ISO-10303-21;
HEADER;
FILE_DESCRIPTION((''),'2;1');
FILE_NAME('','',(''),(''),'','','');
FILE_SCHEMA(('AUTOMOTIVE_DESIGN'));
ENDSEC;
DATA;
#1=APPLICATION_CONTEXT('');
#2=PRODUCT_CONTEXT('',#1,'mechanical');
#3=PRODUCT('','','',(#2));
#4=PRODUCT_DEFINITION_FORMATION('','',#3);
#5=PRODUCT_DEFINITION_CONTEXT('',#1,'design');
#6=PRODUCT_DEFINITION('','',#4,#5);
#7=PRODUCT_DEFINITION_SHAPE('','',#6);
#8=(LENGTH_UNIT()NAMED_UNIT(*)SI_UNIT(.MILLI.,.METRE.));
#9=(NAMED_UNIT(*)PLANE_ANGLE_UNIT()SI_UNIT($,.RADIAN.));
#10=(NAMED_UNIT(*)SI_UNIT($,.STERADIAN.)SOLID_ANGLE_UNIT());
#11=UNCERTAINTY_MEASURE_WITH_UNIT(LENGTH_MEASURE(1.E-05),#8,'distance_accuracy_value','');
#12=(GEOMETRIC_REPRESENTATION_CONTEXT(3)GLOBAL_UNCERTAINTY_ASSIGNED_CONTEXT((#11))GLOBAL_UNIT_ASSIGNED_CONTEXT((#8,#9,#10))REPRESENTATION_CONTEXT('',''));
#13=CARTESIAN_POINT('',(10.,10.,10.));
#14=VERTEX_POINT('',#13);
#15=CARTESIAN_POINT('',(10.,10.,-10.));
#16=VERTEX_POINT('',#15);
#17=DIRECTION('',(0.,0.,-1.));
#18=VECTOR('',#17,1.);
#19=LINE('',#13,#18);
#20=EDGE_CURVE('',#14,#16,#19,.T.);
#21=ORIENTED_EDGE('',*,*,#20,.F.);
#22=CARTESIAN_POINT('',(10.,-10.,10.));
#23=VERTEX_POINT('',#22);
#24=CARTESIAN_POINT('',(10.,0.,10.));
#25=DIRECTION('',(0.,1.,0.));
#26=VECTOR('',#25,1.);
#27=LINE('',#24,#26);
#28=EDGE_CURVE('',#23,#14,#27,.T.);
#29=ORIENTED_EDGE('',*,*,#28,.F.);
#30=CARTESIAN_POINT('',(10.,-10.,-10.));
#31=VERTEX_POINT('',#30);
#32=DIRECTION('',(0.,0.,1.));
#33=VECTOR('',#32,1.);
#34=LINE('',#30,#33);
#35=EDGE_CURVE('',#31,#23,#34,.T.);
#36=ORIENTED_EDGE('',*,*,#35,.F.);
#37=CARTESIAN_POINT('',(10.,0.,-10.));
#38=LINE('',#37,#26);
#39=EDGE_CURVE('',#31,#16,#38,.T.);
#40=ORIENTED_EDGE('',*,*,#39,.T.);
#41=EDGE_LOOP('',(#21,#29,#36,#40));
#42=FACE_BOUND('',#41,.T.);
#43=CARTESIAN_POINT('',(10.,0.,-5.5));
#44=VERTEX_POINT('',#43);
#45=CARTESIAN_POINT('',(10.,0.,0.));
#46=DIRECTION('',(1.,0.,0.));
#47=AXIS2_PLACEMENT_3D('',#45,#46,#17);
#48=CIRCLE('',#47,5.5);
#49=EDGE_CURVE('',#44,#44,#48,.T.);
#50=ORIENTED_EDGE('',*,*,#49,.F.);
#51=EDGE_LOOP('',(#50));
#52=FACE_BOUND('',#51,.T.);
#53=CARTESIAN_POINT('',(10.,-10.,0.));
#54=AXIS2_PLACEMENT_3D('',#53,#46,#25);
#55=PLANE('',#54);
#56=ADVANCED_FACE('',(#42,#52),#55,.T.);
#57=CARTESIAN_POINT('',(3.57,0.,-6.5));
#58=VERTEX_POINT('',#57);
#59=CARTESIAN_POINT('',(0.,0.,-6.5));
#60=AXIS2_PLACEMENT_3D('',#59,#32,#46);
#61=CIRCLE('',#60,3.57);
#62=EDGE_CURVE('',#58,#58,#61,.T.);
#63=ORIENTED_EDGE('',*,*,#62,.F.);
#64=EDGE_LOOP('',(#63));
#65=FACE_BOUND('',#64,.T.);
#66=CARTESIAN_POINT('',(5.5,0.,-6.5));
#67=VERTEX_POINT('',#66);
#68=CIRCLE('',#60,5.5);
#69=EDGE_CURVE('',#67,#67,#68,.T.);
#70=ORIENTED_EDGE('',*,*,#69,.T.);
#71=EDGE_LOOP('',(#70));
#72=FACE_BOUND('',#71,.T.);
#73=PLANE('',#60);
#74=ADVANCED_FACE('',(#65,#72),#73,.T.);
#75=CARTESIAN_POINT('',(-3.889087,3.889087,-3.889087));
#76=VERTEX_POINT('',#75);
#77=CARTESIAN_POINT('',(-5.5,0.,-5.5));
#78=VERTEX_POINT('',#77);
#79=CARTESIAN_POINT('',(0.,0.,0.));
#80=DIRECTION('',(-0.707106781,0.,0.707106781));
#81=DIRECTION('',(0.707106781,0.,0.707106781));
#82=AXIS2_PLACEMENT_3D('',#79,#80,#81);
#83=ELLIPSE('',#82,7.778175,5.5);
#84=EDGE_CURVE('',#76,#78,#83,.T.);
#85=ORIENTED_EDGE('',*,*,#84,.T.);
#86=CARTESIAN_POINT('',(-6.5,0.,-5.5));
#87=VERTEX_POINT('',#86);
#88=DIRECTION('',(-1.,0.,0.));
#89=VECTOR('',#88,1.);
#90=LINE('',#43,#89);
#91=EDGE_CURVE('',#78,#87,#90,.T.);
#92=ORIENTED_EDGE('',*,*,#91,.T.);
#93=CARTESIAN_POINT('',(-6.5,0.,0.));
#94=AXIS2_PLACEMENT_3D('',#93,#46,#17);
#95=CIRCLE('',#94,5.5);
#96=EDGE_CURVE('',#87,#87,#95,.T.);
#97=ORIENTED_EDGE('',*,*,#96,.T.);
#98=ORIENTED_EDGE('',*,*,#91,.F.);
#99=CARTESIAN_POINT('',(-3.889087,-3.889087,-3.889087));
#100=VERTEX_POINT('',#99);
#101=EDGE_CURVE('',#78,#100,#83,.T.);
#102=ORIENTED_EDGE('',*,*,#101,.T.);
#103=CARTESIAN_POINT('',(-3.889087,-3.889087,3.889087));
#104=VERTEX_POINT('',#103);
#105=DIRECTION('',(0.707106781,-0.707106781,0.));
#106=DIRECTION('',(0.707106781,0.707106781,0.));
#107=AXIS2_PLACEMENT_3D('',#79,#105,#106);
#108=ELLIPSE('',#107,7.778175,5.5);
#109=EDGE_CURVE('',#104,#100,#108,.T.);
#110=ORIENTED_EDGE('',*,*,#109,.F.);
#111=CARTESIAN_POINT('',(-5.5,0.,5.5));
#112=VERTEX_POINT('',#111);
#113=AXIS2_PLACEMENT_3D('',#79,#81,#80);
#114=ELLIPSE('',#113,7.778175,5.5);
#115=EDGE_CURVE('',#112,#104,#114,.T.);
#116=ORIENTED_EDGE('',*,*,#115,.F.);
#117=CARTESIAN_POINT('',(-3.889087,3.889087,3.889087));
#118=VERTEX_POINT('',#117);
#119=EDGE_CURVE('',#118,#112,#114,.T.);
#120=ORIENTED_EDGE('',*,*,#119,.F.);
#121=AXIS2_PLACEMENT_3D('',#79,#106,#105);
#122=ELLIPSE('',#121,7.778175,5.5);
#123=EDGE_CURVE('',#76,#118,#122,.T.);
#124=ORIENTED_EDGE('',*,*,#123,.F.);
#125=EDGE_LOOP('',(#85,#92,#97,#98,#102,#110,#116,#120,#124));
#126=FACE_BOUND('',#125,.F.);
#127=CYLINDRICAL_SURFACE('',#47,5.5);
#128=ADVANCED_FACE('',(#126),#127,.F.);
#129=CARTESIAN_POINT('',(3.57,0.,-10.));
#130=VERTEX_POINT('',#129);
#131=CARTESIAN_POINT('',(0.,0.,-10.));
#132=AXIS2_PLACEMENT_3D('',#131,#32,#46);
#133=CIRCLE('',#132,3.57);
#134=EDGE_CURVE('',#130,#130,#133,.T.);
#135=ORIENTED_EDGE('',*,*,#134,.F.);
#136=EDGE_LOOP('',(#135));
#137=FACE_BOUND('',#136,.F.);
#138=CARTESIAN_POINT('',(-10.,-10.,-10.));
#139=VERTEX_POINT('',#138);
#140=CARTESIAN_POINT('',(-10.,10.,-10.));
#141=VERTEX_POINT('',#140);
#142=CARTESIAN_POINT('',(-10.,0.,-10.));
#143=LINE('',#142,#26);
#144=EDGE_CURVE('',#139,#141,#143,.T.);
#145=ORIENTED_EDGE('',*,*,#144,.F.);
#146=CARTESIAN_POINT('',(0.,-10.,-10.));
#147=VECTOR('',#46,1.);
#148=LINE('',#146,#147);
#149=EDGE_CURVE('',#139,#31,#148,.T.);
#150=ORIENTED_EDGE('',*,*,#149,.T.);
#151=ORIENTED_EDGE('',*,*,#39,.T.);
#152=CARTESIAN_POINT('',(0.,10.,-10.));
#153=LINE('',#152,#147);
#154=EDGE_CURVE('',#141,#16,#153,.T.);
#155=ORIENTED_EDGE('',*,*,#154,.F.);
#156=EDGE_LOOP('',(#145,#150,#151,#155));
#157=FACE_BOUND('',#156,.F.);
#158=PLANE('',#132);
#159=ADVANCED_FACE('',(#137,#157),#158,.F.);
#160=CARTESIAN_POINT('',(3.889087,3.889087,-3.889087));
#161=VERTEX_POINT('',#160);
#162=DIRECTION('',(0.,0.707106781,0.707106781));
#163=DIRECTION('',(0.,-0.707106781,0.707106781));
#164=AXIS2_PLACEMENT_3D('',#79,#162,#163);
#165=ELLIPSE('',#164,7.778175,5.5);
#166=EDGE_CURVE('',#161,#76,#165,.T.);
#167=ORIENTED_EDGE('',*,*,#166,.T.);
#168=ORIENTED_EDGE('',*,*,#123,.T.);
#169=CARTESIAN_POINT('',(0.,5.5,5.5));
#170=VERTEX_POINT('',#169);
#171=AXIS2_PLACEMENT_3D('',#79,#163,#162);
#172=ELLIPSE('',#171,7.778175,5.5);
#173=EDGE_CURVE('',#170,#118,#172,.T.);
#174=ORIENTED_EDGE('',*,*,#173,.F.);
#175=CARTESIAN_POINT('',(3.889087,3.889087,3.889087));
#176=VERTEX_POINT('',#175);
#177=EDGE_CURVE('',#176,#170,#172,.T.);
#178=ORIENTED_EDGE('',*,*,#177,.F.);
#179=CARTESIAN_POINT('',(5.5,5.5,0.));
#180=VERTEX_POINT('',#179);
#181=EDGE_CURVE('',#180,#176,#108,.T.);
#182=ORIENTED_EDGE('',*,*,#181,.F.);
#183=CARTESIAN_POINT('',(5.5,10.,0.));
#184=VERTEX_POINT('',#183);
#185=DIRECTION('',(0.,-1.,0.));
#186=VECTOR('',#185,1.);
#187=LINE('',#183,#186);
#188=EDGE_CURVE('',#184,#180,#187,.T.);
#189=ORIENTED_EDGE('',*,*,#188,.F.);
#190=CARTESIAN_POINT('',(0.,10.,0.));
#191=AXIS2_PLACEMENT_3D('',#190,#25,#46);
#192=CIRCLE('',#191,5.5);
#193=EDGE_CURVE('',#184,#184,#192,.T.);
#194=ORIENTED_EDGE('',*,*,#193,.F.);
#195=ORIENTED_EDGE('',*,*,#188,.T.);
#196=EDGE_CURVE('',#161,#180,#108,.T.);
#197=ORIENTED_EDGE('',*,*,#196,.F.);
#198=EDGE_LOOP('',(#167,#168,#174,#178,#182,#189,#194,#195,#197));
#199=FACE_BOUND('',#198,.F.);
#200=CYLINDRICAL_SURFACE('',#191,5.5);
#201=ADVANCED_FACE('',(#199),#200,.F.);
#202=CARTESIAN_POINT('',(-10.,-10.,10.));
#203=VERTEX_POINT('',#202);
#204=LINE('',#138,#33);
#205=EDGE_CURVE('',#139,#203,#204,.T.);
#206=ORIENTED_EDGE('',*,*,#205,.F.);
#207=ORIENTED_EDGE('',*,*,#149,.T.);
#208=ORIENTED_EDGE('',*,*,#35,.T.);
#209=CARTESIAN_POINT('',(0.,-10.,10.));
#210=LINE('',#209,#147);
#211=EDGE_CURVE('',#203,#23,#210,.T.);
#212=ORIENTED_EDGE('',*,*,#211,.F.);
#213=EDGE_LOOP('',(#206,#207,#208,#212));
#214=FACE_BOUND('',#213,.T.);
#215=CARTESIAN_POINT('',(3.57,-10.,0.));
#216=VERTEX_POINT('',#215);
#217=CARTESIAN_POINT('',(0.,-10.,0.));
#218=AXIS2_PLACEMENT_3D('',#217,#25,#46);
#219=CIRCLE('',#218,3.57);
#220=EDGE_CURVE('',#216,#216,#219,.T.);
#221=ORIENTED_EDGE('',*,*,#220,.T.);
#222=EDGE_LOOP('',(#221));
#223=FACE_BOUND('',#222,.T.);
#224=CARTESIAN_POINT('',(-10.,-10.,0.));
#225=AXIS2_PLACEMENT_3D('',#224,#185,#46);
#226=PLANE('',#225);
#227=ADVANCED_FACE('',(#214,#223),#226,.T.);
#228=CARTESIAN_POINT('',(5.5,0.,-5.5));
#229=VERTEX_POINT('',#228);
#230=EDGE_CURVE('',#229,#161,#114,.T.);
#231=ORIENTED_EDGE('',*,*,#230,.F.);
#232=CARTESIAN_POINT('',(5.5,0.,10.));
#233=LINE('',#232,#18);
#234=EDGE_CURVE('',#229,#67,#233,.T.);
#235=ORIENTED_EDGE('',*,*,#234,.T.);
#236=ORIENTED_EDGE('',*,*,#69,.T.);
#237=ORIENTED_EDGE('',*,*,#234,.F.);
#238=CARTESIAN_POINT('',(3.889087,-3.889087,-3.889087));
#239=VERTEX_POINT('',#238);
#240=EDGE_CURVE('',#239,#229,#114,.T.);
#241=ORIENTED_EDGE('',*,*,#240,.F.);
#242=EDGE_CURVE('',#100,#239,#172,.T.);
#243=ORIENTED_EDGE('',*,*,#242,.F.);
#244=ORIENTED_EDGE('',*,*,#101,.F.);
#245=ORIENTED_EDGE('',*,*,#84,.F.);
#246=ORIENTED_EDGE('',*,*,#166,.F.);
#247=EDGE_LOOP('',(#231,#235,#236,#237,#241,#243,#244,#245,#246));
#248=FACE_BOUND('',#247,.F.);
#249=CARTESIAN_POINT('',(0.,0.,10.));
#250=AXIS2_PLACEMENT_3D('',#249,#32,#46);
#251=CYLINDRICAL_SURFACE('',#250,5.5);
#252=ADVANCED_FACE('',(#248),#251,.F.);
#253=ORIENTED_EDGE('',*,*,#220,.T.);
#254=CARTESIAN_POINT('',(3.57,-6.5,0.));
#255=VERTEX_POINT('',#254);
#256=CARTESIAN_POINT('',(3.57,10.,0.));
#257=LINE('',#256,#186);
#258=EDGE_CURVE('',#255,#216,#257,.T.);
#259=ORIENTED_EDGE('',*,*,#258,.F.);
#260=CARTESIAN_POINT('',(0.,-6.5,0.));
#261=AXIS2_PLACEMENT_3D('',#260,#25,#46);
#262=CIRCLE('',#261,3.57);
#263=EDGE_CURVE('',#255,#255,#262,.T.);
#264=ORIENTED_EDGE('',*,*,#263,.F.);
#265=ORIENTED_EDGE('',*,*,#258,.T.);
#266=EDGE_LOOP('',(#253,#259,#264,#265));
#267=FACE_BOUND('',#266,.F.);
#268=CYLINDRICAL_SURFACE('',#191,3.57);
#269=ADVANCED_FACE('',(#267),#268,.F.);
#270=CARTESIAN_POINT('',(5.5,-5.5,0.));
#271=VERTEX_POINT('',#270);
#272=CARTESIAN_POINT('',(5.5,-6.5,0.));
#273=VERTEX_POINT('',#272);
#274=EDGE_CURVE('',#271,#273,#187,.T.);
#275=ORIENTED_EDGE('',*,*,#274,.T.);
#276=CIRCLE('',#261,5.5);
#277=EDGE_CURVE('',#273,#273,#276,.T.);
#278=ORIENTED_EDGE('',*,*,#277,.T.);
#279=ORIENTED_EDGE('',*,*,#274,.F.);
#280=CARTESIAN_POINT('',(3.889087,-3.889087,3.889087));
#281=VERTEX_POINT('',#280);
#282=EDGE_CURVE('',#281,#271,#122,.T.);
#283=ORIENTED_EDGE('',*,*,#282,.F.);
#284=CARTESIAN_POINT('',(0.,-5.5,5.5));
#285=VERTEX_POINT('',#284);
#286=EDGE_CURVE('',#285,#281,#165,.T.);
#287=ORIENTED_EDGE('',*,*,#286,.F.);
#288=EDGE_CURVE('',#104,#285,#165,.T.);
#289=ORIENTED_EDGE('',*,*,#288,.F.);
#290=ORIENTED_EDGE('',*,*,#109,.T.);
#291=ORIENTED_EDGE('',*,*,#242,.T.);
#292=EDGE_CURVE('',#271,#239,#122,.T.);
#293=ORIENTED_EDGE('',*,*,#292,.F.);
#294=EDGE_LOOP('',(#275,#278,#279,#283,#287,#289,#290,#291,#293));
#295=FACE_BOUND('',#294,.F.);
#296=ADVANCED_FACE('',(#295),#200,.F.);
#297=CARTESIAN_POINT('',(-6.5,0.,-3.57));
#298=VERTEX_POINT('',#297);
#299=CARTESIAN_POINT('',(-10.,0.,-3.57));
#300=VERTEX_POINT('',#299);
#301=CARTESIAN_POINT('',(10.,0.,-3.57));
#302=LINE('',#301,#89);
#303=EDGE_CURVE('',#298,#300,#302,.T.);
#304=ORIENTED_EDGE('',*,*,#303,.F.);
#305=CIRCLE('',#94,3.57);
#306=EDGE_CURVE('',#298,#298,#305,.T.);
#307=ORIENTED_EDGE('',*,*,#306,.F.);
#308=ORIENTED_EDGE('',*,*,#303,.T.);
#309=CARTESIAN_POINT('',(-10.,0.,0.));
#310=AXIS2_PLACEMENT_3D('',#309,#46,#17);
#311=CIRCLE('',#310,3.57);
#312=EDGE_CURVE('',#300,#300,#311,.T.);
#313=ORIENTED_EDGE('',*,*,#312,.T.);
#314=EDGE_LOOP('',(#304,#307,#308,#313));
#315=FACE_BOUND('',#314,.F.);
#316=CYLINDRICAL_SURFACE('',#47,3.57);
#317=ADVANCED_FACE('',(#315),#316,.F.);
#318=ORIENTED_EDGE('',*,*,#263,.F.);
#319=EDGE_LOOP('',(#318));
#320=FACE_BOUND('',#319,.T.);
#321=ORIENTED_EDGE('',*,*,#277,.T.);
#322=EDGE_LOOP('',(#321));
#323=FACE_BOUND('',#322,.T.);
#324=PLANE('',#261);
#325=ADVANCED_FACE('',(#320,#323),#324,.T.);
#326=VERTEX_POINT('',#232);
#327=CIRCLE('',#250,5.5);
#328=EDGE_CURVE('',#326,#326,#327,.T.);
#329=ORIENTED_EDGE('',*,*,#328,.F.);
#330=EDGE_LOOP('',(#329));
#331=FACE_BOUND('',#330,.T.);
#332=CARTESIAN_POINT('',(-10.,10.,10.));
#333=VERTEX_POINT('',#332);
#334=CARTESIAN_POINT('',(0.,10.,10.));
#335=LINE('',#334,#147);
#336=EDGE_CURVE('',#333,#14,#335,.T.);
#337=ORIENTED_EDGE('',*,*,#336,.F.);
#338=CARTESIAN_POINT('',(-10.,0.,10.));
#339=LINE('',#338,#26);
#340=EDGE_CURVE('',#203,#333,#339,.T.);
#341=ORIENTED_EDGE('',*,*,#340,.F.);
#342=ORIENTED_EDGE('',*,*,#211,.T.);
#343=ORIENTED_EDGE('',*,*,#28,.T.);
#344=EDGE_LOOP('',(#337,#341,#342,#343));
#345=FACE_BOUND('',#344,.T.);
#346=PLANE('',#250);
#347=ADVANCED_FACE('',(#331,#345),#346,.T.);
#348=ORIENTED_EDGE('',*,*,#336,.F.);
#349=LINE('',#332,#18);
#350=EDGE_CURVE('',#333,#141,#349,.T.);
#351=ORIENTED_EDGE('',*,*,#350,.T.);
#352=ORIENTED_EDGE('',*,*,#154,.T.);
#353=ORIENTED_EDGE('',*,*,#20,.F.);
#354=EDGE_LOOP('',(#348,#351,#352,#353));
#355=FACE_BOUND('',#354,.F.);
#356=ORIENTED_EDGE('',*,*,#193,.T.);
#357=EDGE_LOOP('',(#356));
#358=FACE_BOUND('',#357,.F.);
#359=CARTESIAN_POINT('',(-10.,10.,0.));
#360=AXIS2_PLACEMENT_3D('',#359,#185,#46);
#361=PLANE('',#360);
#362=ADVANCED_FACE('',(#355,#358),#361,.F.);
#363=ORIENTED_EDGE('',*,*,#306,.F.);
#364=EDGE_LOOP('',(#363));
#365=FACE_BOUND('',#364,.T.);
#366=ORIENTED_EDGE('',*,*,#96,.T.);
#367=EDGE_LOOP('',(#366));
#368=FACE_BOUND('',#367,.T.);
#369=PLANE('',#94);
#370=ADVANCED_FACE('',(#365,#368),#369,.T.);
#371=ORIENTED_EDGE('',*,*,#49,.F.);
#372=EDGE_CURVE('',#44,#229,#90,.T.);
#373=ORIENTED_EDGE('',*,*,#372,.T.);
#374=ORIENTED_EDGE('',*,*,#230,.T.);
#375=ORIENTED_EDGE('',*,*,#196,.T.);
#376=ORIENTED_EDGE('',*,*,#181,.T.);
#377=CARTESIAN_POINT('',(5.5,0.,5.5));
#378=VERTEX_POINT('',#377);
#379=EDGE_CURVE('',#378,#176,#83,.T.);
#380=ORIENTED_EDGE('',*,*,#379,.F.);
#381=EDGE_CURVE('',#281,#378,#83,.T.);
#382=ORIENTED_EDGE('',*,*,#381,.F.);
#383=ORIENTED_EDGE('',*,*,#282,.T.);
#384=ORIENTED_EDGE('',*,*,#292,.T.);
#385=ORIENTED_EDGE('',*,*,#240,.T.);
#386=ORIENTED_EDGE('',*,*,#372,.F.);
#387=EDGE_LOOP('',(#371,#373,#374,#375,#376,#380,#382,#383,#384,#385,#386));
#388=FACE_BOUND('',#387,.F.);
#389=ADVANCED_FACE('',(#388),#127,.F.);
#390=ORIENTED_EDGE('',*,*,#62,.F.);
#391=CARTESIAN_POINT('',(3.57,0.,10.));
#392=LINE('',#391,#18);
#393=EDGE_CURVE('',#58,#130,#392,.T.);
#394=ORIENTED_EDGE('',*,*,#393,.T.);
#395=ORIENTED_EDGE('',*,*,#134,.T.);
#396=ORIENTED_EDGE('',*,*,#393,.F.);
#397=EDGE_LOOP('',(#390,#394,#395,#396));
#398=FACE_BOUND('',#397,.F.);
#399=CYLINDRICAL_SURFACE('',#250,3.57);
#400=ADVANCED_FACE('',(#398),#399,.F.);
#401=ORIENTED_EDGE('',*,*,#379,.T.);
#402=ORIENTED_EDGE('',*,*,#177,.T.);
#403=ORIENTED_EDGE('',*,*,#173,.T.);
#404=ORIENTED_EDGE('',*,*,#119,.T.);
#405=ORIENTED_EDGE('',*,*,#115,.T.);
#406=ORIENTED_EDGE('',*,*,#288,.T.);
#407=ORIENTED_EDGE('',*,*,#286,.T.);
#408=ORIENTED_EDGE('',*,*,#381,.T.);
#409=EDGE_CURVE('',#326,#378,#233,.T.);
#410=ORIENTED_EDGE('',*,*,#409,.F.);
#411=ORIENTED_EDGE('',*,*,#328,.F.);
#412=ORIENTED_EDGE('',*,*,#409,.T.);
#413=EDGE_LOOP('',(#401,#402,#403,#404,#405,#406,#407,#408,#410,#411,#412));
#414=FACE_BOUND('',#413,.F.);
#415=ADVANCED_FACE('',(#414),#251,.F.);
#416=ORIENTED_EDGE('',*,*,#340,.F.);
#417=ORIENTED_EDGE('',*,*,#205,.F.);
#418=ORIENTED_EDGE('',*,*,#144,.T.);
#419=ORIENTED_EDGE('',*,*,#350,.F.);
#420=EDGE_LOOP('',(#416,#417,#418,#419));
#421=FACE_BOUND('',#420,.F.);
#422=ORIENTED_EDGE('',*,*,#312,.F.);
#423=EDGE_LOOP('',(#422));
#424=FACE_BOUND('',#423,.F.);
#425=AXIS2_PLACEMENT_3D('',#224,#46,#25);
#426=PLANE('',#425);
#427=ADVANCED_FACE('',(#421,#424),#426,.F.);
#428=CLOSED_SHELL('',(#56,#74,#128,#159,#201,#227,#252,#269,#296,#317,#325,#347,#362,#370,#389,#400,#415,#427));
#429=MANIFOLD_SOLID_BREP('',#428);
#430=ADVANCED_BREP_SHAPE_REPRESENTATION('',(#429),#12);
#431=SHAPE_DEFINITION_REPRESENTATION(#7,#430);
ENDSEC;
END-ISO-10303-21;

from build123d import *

# Parameters (mm, degrees)
ESQUISSE1_W             = 20
ESQUISSE1_H             = 20
BOSS_EXTRU_1_DEPTH      = 10
ESQUISSE2_R             = 3.57
ENL_V_MAT_EXTRU_1_DEPTH = 21
ESQUISSE3_R             = 5.5
ENL_V_MAT_EXTRU_2_DEPTH = 16.5
ESQUISSE4_R             = 3.57
ENL_V_MAT_EXTRU_3_DEPTH = 21
ESQUISSE5_R             = 5.5
ENL_V_MAT_EXTRU_4_DEPTH = 16.5
ESQUISSE6_R             = 3.57
ENL_V_MAT_EXTRU_5_DEPTH = 21
ESQUISSE7_R             = 5.5
ENL_V_MAT_EXTRU_6_DEPTH = 16.5


with BuildPart() as part:
    # Esquisse1 → Boss.-Extru.1 (new body, symmetric)
    with BuildSketch(Plane.XY):
        Rectangle(ESQUISSE1_W, ESQUISSE1_H)
    extrude(amount=BOSS_EXTRU_1_DEPTH, both=True)

    # Esquisse2 → Enlèv. mat.-Extru.1 (cut, through all)
    with BuildSketch(Plane.XY.offset(10)):
        Circle(ESQUISSE2_R)
    extrude(amount=-ENL_V_MAT_EXTRU_1_DEPTH, mode=Mode.SUBTRACT)

    # Esquisse3 → Enlèv. mat.-Extru.2 (cut)
    with BuildSketch(Plane.XY.offset(10)):
        Circle(ESQUISSE3_R)
    extrude(amount=-ENL_V_MAT_EXTRU_2_DEPTH, mode=Mode.SUBTRACT)

    # Esquisse4 → Enlèv. mat.-Extru.3 (cut, through all)
    with BuildSketch(Plane(origin=(10, 0, 0), x_dir=(0, 0, -1), z_dir=(1, 0, 0))):
        Circle(ESQUISSE4_R)
    extrude(amount=-ENL_V_MAT_EXTRU_3_DEPTH, mode=Mode.SUBTRACT)

    # Esquisse5 → Enlèv. mat.-Extru.4 (cut)
    with BuildSketch(Plane(origin=(10, 0, 0), x_dir=(0, 0, -1), z_dir=(1, 0, 0))):
        Circle(ESQUISSE5_R)
    extrude(amount=-ENL_V_MAT_EXTRU_4_DEPTH, mode=Mode.SUBTRACT)

    # Esquisse6 → Enlèv. mat.-Extru.5 (cut, through all)
    with BuildSketch(Plane(origin=(0, 10, 0), x_dir=(1, 0, 0), z_dir=(0, 1, 0))):
        Circle(ESQUISSE6_R)
    extrude(amount=-ENL_V_MAT_EXTRU_5_DEPTH, mode=Mode.SUBTRACT)

    # Esquisse7 → Enlèv. mat.-Extru.6 (cut)
    with BuildSketch(Plane(origin=(0, 10, 0), x_dir=(1, 0, 0), z_dir=(0, 1, 0))):
        Circle(ESQUISSE7_R)
    extrude(amount=-ENL_V_MAT_EXTRU_6_DEPTH, mode=Mode.SUBTRACT)


solid = part.part
